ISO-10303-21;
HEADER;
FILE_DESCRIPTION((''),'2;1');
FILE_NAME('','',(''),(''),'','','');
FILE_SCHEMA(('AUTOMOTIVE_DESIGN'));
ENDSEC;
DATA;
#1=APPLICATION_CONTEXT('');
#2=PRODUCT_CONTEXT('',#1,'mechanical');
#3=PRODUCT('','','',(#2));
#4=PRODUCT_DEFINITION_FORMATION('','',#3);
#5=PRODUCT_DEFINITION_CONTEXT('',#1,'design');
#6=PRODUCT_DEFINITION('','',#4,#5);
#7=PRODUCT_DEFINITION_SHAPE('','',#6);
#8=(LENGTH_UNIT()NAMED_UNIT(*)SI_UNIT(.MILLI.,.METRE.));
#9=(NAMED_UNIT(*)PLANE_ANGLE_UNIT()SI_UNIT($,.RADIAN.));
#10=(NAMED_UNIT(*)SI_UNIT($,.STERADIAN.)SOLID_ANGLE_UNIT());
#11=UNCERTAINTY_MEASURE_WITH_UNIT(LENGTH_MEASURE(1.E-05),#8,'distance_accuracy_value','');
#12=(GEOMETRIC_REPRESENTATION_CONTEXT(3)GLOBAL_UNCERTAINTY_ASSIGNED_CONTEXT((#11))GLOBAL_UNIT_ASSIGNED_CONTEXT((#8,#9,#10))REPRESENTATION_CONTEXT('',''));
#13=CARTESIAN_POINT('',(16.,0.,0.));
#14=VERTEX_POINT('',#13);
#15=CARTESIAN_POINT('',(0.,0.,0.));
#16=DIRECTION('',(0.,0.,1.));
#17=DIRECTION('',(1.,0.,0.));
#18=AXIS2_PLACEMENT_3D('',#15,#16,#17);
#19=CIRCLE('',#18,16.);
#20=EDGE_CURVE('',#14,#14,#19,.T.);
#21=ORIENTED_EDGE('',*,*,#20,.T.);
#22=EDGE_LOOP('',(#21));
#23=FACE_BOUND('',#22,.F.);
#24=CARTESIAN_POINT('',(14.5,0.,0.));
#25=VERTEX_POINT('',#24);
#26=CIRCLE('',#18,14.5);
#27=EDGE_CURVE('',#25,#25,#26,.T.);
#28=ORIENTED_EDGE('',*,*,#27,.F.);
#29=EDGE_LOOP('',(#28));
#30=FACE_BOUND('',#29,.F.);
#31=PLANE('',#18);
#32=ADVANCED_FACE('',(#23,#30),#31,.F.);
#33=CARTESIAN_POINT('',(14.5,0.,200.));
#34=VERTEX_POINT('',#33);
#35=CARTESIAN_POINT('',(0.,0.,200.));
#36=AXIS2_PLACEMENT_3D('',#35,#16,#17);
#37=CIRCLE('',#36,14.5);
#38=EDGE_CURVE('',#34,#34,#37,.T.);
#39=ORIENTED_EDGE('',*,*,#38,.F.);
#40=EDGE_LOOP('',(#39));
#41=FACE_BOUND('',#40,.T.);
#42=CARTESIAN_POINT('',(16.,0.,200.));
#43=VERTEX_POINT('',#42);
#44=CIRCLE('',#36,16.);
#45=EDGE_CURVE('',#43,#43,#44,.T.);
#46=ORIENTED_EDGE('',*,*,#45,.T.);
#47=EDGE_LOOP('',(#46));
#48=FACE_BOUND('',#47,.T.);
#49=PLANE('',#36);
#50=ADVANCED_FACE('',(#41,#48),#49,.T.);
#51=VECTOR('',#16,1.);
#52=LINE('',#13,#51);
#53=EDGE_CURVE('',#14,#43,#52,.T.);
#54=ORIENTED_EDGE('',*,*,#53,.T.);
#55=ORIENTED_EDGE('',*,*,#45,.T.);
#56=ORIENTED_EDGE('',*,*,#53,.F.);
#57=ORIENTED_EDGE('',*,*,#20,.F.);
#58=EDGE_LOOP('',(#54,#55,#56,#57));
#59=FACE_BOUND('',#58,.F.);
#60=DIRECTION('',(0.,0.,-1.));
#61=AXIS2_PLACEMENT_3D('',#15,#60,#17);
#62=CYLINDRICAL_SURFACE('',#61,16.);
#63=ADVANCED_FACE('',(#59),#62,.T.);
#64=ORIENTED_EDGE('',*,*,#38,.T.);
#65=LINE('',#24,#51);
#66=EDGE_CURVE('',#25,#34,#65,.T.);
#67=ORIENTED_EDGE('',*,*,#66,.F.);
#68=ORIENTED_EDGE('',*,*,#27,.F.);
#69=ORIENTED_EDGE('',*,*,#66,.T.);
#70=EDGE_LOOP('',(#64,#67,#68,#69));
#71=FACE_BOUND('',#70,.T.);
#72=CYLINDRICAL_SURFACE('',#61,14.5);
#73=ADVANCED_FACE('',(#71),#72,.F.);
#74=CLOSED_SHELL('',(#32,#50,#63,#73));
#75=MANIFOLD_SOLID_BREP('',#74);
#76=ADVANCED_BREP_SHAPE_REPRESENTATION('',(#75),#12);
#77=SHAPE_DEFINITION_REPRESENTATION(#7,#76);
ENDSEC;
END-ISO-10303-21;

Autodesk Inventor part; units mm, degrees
ref_plane "YZ Plane" through (0, 0, 0) normal (1, 0, 0) x (0, 1, 0)
ref_plane "XZ Plane" through (0, 0, 0) normal (0, 1, 0) x (-1, 0, 0)
ref_plane "XY Plane" through (0, 0, 0) normal (0, 0, 1) x (1, 0, 0)
sketch "Skizze1" plane through (0, 0, 0) normal (0, 0, 1) x (1, 0, 0)
  circle A0 centre (0, 0) radius 16
  circle A1 centre (0, 0) radius 14.5
  dimension "d0" = 29
  dimension "d1" = 32
extrude "Extrusion1" add sketch "Skizze1" along normal blind 200
equation "\"d0\" = WindTowerInnerDiameter"
equation "\"d1\" = WindTowerOuterDiameter"
equation "\"d2\" = WindTowerHeight"
equation "\"WindTowerInnerDiameter\" = 29"
equation "\"WindTowerOuterDiameter\" = 32"
equation "\"WindTowerHeight\" = 200"
properties part number "WindTower" material "PVC-Rohrsysteme"
